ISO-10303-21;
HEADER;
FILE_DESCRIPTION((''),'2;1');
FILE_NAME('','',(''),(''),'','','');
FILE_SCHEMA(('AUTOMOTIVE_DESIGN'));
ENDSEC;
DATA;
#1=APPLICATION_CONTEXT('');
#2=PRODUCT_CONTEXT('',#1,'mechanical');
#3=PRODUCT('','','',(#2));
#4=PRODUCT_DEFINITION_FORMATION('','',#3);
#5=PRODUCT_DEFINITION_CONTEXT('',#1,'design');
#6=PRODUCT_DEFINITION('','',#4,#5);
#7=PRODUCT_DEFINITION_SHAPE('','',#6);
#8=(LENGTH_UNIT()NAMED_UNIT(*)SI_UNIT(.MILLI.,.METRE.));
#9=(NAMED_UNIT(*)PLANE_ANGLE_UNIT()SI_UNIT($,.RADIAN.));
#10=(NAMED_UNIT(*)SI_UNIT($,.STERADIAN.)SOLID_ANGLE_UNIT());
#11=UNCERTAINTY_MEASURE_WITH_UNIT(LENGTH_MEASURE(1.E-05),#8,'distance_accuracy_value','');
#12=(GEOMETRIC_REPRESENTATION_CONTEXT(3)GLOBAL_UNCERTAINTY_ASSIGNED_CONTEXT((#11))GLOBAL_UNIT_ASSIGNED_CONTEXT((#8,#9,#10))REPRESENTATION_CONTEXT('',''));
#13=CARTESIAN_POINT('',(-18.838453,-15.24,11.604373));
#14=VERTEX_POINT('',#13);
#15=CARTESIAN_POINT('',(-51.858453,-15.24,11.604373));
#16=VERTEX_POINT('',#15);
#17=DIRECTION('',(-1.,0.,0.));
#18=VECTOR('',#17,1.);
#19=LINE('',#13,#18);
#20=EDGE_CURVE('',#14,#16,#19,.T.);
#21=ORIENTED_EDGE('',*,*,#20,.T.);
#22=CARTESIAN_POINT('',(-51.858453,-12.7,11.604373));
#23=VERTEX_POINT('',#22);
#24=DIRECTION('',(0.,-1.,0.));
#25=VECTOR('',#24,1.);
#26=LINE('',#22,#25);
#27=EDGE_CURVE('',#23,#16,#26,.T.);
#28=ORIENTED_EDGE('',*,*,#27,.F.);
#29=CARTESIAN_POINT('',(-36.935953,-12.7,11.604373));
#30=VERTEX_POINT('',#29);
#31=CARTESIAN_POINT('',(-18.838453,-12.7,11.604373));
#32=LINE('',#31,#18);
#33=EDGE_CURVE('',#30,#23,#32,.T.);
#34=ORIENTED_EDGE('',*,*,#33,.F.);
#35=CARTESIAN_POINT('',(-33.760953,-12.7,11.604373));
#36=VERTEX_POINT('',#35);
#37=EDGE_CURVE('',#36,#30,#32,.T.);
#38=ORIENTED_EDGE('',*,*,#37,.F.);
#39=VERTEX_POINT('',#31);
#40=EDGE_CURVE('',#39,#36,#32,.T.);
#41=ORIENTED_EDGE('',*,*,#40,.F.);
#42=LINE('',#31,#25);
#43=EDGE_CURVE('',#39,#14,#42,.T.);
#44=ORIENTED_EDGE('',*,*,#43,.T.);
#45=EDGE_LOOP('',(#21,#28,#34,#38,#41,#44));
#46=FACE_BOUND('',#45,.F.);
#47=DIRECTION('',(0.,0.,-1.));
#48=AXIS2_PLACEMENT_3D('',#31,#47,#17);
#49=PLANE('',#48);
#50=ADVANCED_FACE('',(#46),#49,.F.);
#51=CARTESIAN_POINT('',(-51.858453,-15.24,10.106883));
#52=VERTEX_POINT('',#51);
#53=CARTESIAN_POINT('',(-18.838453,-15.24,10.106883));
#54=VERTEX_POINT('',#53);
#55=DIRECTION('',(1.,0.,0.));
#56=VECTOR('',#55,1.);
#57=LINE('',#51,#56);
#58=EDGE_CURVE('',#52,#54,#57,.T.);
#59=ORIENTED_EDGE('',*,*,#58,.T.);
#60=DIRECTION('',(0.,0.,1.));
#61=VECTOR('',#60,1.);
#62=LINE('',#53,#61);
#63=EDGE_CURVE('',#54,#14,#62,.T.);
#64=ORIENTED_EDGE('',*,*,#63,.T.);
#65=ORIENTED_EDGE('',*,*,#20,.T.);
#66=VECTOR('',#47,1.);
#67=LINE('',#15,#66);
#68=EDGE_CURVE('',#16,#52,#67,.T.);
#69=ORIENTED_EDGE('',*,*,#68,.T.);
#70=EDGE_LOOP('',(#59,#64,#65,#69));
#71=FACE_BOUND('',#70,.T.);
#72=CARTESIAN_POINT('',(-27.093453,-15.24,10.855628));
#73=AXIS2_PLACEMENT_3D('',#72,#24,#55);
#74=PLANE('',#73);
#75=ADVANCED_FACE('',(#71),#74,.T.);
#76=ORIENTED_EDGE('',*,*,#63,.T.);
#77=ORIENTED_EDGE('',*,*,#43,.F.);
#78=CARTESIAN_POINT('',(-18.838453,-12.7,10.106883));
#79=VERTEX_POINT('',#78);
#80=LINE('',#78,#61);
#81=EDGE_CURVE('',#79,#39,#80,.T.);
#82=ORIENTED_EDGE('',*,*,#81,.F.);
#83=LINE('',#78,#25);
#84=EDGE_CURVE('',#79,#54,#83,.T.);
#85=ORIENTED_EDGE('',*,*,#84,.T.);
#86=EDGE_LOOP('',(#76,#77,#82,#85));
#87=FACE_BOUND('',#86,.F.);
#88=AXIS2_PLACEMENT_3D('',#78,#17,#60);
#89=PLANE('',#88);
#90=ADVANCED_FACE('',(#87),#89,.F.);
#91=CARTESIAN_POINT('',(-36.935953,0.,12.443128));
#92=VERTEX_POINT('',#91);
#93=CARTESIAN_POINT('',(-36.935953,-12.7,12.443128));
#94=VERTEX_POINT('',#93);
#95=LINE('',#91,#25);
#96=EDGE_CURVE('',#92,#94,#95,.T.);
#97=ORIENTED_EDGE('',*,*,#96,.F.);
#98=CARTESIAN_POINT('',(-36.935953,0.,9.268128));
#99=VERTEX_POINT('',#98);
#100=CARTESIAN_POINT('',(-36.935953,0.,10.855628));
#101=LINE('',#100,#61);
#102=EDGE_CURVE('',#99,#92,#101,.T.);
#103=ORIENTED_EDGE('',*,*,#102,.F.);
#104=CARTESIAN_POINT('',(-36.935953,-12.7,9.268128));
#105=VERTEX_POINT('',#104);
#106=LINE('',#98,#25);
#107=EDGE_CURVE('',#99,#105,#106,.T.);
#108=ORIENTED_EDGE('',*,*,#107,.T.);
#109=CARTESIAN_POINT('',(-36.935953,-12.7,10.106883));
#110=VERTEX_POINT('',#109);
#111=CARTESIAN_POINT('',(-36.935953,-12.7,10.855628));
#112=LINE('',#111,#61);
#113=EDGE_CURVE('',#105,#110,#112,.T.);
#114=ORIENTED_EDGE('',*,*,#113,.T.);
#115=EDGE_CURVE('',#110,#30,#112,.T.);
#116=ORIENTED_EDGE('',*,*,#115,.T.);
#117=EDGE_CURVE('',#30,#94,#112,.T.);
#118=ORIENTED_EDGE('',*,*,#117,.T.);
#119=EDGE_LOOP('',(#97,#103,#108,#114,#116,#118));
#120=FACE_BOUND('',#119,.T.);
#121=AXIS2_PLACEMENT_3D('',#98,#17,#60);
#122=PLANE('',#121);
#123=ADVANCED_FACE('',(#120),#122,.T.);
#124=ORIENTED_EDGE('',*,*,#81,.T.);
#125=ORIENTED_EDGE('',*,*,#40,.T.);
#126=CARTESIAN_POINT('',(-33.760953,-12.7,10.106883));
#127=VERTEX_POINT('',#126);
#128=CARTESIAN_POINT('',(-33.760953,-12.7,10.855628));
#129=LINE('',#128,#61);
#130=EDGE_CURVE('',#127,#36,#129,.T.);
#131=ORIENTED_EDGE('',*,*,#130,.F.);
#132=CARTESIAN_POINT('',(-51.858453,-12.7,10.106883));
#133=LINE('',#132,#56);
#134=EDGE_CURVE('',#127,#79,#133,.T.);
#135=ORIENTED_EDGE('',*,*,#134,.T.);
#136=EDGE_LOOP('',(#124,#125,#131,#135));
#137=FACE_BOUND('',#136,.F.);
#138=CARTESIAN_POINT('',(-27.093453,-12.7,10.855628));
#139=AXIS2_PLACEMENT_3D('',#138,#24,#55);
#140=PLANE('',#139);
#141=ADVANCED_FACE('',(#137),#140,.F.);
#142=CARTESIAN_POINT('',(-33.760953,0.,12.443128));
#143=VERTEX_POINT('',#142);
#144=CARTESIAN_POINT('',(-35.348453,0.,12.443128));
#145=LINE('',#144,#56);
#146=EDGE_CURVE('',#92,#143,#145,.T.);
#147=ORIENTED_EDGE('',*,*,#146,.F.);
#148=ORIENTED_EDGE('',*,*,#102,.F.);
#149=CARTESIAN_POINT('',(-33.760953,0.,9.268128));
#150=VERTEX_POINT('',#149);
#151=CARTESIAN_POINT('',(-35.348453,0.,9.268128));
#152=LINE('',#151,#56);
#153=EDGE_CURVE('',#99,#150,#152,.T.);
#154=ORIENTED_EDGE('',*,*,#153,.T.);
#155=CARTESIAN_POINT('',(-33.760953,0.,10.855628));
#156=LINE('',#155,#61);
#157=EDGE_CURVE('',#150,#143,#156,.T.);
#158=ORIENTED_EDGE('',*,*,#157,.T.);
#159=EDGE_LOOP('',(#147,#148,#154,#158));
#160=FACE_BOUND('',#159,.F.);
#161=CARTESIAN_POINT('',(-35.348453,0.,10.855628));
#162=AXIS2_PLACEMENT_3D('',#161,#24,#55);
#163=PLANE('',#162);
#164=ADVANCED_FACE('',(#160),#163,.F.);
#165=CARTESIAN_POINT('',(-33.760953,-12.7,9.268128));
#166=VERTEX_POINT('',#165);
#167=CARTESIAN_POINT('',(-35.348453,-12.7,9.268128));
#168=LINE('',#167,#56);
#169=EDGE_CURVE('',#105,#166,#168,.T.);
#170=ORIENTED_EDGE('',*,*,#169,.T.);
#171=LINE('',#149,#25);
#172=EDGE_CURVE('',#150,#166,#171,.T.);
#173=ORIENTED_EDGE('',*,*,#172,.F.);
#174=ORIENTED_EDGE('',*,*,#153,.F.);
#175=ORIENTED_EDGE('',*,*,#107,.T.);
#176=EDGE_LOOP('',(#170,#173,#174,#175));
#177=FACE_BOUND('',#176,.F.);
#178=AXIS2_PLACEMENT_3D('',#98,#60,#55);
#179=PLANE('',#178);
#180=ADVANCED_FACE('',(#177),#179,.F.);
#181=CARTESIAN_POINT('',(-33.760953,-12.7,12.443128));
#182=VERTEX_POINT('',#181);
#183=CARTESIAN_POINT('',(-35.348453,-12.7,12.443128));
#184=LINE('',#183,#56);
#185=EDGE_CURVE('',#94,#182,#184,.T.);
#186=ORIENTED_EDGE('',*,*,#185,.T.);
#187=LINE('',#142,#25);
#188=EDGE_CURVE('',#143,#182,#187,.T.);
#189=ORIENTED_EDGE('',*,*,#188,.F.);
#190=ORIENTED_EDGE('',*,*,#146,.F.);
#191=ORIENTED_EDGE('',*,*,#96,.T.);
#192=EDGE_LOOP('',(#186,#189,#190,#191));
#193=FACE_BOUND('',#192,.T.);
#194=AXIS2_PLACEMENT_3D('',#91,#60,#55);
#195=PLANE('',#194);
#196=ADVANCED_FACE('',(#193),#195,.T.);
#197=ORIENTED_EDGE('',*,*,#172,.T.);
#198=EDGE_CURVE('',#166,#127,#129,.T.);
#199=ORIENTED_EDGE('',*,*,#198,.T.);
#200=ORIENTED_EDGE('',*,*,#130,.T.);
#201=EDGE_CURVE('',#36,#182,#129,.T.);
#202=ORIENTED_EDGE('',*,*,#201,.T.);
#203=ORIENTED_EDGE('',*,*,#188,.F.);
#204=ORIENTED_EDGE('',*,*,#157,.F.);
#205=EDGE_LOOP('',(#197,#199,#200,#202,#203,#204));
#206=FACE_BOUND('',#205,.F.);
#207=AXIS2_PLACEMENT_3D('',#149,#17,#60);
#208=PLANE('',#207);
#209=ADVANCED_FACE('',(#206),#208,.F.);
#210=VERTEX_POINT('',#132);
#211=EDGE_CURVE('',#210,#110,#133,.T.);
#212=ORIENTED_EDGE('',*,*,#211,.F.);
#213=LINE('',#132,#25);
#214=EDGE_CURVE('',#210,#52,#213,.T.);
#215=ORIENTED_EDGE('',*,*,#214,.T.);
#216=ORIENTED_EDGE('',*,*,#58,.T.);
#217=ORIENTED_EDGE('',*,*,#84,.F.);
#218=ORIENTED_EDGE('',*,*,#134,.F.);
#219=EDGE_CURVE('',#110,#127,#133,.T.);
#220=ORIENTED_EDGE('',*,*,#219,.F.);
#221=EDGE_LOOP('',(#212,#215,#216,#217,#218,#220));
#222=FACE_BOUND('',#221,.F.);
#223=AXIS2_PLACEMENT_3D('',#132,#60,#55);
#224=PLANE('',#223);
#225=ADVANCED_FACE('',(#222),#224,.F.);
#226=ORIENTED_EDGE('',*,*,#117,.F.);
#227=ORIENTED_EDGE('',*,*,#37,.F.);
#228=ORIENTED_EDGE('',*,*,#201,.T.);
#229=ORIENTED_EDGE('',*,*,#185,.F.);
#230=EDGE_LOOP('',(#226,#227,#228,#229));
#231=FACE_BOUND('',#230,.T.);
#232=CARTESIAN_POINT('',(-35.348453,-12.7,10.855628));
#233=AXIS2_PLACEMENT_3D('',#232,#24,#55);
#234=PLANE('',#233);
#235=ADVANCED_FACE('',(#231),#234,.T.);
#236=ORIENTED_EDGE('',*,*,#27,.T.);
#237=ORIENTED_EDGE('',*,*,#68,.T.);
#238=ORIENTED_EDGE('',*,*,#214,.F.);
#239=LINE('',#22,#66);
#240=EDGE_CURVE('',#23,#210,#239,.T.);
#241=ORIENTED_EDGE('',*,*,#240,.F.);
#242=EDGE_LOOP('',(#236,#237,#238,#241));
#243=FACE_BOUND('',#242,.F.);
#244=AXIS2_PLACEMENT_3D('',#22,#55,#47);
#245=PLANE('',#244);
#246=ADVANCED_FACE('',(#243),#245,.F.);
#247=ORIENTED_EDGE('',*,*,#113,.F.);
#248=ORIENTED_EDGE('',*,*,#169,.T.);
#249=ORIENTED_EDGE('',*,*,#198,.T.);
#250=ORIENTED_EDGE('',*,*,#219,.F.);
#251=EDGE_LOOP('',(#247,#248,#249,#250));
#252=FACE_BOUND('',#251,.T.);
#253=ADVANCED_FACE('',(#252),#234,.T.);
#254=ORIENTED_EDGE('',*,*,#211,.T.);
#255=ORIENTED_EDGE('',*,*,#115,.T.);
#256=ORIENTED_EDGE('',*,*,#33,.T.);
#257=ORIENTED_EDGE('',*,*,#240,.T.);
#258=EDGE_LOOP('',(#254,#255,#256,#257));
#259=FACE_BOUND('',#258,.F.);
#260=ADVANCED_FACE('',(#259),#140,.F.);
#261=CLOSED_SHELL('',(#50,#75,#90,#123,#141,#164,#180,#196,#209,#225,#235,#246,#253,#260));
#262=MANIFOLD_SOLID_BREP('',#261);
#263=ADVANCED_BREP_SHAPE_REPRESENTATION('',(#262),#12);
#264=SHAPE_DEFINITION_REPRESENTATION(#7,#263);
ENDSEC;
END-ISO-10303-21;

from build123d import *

# Parameters (mm, degrees)
F0_W     = 3.175
F0_H     = 3.175
F1_DEPTH = 12.7
F3_DEPTH = 2.54


with BuildPart() as f1:
    # F0 (on Front) → F1 (new body)
    with BuildSketch(Plane.XZ):
        with Locations((-35.348453, 10.855628)):
            Rectangle(F0_W, F0_H)
    extrude(amount=F1_DEPTH)

    # F2 (on face) → F3 (join)
    with BuildSketch(Plane.XZ.offset(12.7)):
        Polygon((-18.838453, 11.604373), (-35.348453, 11.604373), (-35.348453, 10.855628), (-35.348453, 10.106883), (-18.838453, 10.106883), align=None)
        Polygon((-35.348453, 10.855628), (-35.348453, 11.604373), (-51.858453, 11.604373), (-51.858453, 10.106883), (-35.348453, 10.106883), align=None)
    extrude(amount=F3_DEPTH)


solid = f1.part
